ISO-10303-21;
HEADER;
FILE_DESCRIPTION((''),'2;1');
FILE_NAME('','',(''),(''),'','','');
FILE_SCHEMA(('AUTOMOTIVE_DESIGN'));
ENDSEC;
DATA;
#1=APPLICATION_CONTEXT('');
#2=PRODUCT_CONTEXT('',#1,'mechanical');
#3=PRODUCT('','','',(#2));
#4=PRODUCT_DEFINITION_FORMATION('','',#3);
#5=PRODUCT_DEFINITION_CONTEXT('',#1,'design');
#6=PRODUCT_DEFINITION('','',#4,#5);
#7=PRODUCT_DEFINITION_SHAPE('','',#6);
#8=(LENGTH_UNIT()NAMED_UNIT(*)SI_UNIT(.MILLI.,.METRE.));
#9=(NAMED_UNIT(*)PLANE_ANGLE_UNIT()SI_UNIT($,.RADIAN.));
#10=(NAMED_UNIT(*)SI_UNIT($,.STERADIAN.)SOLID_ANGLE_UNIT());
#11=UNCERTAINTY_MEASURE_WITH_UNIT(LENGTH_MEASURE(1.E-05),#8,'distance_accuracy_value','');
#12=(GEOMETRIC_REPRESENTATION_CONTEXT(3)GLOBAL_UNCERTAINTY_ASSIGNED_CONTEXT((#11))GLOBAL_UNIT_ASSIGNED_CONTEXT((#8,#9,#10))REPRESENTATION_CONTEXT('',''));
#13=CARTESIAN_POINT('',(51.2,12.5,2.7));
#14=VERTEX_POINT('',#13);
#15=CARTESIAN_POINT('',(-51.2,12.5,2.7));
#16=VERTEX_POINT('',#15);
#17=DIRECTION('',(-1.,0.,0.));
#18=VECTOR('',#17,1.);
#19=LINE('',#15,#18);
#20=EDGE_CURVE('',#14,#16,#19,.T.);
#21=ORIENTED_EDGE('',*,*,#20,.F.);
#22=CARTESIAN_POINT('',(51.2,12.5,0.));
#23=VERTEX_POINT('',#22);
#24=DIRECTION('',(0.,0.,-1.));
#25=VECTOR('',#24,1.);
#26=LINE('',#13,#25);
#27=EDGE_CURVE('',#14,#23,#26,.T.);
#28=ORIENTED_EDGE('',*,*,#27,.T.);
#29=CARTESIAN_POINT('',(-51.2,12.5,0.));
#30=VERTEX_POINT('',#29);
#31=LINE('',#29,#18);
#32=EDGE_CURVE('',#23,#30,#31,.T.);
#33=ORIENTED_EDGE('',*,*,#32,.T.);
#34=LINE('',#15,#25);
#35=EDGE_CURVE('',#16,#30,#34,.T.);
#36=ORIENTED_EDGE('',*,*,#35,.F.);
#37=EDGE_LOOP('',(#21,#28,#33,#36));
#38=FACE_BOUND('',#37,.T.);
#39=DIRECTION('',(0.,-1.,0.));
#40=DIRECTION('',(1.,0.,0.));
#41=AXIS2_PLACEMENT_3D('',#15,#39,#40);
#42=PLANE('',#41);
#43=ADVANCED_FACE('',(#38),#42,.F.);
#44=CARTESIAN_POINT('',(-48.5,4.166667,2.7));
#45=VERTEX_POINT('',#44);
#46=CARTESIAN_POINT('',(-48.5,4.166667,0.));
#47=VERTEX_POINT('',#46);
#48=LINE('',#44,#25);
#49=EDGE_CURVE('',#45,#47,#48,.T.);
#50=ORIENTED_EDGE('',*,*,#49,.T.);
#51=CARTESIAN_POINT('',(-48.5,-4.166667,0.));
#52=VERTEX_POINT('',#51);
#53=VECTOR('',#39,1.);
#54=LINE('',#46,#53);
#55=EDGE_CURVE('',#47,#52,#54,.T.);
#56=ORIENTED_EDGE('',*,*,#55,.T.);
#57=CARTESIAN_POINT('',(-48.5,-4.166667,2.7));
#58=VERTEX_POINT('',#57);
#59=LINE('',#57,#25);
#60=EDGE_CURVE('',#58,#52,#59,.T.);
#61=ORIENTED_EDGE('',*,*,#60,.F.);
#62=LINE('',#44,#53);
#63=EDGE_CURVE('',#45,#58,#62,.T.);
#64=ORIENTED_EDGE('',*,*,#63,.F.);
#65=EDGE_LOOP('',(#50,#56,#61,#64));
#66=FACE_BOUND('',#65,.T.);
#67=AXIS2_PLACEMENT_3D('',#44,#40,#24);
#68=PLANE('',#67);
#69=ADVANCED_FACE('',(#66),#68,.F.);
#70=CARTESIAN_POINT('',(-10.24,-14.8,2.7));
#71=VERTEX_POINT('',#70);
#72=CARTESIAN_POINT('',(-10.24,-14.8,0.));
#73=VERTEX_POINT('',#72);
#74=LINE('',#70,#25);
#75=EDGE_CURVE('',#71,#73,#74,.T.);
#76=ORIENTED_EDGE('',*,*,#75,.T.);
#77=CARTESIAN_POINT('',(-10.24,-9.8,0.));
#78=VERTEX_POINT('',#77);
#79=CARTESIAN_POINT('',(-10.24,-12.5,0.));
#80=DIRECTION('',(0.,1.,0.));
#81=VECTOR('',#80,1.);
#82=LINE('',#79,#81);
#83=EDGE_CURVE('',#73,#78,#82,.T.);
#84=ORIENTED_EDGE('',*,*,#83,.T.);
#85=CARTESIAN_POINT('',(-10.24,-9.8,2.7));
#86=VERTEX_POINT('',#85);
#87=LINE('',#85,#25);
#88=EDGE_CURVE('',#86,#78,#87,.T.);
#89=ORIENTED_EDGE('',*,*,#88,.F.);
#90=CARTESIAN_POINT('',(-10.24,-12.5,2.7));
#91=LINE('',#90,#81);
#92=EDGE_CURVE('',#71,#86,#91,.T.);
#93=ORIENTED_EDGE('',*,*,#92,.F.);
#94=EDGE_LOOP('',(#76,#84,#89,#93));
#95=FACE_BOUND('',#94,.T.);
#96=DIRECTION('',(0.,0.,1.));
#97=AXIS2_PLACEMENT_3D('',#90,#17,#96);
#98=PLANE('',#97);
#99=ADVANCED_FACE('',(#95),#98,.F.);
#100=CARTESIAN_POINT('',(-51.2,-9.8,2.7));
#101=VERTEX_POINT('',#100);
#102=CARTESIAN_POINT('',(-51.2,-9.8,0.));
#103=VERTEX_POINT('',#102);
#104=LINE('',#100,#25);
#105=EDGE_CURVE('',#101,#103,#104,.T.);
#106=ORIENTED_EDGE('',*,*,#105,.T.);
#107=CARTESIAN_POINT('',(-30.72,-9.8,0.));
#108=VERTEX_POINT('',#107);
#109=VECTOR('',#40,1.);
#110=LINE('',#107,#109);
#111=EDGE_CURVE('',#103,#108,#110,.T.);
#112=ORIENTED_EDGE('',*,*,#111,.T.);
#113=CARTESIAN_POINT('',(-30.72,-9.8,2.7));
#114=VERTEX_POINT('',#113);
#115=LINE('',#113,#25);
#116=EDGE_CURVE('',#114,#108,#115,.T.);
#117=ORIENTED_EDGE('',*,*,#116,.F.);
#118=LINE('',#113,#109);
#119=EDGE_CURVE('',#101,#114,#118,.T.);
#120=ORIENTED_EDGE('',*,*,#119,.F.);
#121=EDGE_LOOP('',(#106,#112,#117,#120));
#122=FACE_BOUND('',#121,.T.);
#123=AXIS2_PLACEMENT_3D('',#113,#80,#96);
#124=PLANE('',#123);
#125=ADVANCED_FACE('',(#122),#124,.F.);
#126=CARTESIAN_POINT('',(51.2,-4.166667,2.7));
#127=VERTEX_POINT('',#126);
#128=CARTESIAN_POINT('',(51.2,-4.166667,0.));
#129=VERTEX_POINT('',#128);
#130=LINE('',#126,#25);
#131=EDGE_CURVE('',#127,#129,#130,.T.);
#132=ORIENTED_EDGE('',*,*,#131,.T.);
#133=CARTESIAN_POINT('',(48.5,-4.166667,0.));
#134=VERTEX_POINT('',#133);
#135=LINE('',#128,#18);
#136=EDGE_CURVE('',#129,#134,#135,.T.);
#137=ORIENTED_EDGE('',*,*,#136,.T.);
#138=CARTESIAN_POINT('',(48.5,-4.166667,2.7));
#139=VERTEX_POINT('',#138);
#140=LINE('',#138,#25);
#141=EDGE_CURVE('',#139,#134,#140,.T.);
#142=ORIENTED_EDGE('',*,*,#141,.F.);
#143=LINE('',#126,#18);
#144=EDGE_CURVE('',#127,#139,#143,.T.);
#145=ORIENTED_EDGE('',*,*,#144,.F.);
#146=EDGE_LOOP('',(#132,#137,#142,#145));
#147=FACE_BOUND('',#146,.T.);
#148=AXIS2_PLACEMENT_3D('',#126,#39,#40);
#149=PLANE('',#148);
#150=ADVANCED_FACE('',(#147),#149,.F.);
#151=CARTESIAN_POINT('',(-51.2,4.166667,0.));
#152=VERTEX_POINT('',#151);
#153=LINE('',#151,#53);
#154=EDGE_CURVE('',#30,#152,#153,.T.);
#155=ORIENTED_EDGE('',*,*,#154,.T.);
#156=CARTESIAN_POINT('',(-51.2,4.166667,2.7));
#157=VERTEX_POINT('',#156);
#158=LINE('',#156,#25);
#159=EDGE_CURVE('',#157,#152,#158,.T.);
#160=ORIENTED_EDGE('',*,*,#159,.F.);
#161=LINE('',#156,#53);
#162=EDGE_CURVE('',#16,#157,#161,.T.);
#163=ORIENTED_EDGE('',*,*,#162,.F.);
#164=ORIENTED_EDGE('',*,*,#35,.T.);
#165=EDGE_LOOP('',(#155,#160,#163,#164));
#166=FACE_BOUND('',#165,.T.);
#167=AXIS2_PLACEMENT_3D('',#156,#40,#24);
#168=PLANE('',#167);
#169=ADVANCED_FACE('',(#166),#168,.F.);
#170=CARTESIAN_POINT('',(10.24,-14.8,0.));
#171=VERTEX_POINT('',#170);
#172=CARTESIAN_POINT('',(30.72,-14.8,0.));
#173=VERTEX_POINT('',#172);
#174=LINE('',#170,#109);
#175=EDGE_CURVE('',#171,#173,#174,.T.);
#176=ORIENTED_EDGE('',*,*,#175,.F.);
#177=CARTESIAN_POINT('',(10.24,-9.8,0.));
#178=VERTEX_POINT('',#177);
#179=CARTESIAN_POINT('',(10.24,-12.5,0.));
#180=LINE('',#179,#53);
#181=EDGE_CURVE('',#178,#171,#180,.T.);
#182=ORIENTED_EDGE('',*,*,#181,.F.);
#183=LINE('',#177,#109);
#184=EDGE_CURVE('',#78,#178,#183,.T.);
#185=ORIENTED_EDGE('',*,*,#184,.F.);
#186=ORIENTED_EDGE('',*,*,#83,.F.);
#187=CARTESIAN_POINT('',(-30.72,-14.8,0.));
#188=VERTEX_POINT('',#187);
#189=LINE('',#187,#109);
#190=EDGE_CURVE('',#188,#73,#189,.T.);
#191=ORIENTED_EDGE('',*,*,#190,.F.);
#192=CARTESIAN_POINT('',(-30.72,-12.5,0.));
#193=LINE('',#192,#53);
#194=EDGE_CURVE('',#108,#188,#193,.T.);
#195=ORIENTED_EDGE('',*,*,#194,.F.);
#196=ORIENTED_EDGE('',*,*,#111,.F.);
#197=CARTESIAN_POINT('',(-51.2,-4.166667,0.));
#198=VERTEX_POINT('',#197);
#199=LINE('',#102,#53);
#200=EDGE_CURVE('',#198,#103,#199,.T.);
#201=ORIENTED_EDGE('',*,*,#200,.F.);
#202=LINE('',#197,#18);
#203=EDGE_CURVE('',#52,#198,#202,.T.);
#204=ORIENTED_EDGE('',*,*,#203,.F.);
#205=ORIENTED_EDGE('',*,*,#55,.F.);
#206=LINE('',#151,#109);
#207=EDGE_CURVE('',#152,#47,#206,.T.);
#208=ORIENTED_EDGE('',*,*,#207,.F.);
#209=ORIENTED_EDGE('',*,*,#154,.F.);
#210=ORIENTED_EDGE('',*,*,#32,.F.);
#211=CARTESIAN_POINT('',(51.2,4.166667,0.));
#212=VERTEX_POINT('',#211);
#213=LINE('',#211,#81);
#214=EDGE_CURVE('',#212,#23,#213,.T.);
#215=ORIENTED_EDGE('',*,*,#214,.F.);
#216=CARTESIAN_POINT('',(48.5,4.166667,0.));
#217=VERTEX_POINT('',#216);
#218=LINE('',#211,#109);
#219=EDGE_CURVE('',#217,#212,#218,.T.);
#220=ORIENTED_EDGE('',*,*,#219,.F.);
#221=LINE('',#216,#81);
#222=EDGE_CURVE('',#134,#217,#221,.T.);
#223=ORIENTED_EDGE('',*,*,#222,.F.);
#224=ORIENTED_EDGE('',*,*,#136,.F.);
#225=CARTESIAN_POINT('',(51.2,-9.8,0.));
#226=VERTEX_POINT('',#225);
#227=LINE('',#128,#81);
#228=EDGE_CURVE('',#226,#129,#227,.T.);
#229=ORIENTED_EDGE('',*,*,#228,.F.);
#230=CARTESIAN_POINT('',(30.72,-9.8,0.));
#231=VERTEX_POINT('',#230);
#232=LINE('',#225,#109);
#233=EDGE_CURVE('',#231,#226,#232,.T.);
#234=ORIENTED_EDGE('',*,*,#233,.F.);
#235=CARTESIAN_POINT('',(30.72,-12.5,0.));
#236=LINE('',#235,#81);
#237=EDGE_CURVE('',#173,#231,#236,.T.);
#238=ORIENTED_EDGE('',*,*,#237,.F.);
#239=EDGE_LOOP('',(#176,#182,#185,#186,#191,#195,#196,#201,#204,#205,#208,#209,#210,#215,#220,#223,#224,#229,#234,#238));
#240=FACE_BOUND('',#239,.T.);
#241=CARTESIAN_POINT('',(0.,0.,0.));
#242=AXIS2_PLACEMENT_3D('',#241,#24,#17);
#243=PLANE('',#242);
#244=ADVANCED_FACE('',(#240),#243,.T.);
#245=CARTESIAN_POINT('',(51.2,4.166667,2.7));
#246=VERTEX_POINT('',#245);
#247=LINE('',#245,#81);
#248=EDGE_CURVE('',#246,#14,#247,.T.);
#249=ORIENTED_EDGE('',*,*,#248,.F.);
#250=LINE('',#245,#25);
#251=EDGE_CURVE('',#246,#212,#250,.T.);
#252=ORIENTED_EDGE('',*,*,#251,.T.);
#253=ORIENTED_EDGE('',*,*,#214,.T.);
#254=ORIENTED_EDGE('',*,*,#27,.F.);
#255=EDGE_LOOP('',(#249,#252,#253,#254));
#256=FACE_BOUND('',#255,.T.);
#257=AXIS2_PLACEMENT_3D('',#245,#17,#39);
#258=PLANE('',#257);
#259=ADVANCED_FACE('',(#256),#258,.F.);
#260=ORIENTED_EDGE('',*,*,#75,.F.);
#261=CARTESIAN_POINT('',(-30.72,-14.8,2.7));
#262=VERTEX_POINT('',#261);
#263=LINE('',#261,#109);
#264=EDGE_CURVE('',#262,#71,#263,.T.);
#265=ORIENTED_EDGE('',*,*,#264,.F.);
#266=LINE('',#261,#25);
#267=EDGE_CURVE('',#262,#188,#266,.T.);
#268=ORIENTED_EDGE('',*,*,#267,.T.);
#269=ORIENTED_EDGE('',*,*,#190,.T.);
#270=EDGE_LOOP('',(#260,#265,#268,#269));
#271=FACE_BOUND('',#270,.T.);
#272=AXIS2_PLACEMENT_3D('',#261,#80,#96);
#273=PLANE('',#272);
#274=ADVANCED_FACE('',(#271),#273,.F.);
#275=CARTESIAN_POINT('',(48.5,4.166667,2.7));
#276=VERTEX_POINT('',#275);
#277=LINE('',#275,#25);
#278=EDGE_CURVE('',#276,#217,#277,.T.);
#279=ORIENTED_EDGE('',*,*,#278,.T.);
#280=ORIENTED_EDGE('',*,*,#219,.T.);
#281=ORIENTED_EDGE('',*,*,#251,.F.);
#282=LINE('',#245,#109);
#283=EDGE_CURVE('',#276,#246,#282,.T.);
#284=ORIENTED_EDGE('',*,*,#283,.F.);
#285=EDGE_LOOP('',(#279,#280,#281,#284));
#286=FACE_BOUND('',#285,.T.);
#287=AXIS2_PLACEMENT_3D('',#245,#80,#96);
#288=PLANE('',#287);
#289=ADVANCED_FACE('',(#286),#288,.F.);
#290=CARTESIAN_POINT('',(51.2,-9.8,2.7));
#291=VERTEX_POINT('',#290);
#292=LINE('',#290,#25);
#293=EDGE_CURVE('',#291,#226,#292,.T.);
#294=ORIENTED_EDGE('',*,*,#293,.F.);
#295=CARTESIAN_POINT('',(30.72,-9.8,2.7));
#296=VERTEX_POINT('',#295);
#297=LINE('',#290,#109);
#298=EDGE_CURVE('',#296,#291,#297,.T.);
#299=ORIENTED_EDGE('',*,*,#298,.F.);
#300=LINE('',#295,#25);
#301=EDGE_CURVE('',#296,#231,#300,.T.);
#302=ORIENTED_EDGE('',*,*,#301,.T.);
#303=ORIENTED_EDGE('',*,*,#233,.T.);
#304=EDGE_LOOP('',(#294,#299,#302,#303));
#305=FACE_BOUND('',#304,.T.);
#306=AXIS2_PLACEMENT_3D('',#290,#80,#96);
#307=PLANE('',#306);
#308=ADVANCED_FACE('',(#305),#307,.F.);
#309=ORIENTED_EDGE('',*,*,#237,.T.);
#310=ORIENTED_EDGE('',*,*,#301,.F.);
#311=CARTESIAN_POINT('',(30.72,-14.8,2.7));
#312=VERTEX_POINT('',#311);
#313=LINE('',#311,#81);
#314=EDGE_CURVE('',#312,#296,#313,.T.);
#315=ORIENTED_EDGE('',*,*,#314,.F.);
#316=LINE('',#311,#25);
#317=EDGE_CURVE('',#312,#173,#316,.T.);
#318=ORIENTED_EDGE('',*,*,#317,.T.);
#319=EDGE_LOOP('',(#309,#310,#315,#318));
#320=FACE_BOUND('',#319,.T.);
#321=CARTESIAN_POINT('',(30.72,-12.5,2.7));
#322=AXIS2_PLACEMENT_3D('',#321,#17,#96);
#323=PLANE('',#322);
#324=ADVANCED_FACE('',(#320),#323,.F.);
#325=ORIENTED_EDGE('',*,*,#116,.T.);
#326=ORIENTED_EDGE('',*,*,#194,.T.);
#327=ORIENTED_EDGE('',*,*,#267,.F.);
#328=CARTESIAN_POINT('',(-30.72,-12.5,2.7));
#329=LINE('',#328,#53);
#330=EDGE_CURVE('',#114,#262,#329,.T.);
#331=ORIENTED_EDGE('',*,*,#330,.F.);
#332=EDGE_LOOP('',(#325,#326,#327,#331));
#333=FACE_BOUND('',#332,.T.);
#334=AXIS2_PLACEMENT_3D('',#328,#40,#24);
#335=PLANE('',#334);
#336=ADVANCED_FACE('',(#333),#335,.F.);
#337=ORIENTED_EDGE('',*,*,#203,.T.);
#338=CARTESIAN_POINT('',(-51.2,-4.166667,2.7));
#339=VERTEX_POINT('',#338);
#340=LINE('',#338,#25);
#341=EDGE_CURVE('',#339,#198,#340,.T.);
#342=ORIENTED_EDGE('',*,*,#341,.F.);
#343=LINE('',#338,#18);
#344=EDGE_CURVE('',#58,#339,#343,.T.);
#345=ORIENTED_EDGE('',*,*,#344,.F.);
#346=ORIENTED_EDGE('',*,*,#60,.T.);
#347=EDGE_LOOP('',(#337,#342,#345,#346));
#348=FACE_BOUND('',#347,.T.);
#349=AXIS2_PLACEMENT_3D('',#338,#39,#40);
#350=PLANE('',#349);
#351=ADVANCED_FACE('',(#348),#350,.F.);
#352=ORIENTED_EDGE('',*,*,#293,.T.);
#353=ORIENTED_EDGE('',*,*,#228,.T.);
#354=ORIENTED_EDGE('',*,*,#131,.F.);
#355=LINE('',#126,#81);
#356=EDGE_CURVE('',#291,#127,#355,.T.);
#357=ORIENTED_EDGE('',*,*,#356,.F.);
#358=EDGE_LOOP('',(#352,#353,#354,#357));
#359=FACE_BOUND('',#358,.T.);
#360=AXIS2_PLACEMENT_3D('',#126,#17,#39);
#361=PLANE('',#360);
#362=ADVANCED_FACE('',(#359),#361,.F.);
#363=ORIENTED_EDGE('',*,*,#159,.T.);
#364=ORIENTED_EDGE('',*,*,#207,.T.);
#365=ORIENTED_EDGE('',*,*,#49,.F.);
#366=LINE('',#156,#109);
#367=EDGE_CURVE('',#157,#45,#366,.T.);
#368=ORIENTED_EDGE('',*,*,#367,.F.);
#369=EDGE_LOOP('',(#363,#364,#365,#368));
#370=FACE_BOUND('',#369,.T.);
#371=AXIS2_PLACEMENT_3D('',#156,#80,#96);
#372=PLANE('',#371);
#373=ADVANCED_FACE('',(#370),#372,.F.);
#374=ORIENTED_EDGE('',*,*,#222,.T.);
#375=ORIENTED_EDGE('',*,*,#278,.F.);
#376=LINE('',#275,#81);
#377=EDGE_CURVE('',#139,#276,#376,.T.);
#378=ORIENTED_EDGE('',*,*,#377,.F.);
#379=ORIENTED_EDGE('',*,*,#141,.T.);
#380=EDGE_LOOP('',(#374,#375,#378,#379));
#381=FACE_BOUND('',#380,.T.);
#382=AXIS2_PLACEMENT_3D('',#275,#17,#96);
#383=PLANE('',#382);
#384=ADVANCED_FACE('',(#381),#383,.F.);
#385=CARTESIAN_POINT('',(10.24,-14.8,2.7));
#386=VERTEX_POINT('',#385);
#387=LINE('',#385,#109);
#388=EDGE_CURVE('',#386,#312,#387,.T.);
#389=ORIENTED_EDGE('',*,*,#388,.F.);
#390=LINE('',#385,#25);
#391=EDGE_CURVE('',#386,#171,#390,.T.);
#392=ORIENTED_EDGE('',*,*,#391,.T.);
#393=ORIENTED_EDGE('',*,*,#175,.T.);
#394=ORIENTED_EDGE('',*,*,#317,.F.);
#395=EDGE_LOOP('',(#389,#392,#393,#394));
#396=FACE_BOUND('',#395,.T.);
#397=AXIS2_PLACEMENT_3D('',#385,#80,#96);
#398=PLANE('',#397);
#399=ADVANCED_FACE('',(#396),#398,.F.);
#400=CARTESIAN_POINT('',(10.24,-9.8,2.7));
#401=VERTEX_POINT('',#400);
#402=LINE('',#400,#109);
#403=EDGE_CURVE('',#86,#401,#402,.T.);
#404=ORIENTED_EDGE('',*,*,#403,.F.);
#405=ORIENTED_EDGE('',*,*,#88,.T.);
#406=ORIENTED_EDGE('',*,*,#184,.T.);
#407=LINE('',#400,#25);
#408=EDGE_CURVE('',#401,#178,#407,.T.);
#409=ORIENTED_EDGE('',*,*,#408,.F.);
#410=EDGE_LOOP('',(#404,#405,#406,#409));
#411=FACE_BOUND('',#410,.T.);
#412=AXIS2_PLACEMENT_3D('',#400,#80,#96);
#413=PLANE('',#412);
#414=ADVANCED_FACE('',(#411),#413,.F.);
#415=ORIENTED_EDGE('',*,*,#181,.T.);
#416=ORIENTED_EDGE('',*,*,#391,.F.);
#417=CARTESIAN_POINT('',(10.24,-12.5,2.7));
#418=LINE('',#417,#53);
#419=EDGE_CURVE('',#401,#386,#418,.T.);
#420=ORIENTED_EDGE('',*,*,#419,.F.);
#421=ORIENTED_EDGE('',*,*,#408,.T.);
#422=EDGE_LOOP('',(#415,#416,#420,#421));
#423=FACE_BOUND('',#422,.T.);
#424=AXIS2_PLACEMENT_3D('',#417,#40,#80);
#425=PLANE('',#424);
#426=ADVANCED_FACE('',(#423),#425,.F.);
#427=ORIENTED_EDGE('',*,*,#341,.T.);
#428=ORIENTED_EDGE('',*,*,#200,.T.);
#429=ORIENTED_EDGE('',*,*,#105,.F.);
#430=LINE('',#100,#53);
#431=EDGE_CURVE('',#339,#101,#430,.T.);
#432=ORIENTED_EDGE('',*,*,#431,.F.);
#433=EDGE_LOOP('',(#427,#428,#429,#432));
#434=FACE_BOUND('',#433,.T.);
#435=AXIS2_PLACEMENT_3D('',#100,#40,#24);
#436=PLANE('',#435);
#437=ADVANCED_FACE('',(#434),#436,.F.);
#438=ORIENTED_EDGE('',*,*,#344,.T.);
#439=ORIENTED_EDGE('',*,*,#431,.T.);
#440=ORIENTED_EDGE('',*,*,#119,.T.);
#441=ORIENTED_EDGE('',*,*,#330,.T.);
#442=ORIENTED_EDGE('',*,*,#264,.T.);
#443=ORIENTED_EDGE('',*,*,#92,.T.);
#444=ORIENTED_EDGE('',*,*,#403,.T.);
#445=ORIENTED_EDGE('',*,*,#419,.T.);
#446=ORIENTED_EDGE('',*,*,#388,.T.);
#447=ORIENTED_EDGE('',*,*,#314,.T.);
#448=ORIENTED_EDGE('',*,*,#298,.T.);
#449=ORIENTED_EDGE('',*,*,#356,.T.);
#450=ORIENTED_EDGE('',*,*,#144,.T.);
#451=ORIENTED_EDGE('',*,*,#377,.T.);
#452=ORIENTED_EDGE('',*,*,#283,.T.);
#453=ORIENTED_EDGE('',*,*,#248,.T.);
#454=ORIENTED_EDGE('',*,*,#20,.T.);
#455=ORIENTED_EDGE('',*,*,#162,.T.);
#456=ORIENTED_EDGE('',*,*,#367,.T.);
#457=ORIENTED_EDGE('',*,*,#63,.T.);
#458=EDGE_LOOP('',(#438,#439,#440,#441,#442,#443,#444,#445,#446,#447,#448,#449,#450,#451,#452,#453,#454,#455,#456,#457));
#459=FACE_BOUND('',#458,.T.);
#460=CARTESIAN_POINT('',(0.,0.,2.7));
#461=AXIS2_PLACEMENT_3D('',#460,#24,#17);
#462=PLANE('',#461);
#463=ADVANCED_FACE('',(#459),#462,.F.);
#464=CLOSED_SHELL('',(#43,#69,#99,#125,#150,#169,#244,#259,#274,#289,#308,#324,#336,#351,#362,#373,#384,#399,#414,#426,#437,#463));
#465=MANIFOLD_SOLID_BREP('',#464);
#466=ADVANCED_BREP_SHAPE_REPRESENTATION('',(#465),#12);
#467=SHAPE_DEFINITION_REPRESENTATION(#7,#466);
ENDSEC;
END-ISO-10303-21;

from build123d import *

# Parameters (mm, degrees)
BOSS_EXTRUDE1_DEPTH = 2.7


with BuildPart() as part:
    # Sketch1 → Boss-Extrude1 (new body)
    with BuildSketch(Plane.XY):
        Polygon((-51.2, -9.8), (-51.2, -4.166666667), (-48.5, -4.166666667), (-48.5, 4.166666667), (-51.2, 4.166666667), (-51.2, 12.5), (51.2, 12.5), (51.2, 4.166666667), (48.5, 4.166666667), (48.5, -4.166666667), (51.2, -4.166666667), (51.2, -9.8), (30.72, -9.8), (30.72, -12.5), (30.72, -14.8), (10.24, -14.8), (10.24, -12.5), (10.24, -9.8), (-10.24, -9.8), (-10.24, -12.5), (-10.24, -14.8), (-30.72, -14.8), (-30.72, -12.5), (-30.72, -9.8), align=None)
    extrude(amount=BOSS_EXTRUDE1_DEPTH)


solid = part.part
